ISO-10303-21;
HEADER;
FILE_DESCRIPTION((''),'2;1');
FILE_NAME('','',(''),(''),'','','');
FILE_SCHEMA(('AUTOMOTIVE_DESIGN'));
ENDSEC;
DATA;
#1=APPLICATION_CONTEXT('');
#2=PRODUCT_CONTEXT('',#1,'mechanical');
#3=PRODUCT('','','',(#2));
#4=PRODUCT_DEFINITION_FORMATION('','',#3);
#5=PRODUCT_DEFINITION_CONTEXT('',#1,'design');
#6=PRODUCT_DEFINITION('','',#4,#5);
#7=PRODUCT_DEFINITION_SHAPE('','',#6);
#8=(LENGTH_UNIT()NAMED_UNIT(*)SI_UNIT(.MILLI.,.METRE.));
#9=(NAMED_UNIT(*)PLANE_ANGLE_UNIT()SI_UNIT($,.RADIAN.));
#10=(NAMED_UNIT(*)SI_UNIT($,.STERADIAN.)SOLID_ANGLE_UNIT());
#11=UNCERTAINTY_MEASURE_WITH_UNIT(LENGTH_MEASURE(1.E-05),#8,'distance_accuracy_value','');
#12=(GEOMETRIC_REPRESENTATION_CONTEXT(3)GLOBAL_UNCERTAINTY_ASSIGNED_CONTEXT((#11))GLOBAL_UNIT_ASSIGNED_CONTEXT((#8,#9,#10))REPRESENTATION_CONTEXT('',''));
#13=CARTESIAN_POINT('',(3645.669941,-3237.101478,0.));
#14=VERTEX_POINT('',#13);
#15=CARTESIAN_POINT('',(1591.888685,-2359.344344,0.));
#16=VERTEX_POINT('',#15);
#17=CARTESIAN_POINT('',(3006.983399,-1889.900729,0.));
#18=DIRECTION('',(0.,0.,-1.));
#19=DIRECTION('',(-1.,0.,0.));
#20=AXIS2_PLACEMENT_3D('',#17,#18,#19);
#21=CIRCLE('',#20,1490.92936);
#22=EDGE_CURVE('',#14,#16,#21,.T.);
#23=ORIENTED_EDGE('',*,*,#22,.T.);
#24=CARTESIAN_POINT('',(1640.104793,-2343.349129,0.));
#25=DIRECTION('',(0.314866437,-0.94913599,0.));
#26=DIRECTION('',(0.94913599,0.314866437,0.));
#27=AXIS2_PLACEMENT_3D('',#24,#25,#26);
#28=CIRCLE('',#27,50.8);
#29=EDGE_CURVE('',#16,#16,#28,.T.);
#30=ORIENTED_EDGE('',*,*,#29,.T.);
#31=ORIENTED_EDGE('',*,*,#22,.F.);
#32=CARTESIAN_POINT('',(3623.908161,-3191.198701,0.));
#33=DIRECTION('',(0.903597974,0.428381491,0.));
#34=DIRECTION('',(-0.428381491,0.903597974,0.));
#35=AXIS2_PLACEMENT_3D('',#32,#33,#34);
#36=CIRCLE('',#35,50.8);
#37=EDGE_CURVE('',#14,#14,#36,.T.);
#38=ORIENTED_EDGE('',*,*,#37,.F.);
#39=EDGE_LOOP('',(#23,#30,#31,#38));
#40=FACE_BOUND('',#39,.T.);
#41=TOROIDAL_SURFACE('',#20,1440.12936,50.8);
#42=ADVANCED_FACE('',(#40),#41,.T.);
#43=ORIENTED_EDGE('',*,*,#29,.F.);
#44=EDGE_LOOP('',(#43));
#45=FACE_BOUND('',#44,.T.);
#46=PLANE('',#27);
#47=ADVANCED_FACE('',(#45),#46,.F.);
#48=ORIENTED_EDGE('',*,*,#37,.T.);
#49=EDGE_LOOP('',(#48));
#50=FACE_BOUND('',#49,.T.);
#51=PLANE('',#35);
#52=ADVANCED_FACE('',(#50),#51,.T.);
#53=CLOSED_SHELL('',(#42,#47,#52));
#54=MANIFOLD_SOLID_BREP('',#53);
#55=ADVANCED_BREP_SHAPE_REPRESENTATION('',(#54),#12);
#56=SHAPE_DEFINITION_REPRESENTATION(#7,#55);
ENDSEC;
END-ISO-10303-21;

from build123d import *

# Parameters (mm, degrees)
SKETCH2_R = 50.8


with BuildPart() as part:
    # Sweep1: sweep along a path in Sketch1
    with BuildLine(Plane.XY) as sweep1_path:
        ThreePointArc((1640.104793271, -2343.34912911), (2441.015276157, -3214.156240077), (3623.908161215, -3191.198701302))
    # Sketch2 → Sweep1 (sweep)
    with BuildSketch(Plane(origin=(1640.104793271, -2343.34912911, 0), x_dir=(0.9491359897649313, 0.31486643665679, 0), z_dir=(0.31486643665679, -0.9491359897649313, 0))):
        Circle(SKETCH2_R)
    sweep(path=sweep1_path.line)


solid = part.part
